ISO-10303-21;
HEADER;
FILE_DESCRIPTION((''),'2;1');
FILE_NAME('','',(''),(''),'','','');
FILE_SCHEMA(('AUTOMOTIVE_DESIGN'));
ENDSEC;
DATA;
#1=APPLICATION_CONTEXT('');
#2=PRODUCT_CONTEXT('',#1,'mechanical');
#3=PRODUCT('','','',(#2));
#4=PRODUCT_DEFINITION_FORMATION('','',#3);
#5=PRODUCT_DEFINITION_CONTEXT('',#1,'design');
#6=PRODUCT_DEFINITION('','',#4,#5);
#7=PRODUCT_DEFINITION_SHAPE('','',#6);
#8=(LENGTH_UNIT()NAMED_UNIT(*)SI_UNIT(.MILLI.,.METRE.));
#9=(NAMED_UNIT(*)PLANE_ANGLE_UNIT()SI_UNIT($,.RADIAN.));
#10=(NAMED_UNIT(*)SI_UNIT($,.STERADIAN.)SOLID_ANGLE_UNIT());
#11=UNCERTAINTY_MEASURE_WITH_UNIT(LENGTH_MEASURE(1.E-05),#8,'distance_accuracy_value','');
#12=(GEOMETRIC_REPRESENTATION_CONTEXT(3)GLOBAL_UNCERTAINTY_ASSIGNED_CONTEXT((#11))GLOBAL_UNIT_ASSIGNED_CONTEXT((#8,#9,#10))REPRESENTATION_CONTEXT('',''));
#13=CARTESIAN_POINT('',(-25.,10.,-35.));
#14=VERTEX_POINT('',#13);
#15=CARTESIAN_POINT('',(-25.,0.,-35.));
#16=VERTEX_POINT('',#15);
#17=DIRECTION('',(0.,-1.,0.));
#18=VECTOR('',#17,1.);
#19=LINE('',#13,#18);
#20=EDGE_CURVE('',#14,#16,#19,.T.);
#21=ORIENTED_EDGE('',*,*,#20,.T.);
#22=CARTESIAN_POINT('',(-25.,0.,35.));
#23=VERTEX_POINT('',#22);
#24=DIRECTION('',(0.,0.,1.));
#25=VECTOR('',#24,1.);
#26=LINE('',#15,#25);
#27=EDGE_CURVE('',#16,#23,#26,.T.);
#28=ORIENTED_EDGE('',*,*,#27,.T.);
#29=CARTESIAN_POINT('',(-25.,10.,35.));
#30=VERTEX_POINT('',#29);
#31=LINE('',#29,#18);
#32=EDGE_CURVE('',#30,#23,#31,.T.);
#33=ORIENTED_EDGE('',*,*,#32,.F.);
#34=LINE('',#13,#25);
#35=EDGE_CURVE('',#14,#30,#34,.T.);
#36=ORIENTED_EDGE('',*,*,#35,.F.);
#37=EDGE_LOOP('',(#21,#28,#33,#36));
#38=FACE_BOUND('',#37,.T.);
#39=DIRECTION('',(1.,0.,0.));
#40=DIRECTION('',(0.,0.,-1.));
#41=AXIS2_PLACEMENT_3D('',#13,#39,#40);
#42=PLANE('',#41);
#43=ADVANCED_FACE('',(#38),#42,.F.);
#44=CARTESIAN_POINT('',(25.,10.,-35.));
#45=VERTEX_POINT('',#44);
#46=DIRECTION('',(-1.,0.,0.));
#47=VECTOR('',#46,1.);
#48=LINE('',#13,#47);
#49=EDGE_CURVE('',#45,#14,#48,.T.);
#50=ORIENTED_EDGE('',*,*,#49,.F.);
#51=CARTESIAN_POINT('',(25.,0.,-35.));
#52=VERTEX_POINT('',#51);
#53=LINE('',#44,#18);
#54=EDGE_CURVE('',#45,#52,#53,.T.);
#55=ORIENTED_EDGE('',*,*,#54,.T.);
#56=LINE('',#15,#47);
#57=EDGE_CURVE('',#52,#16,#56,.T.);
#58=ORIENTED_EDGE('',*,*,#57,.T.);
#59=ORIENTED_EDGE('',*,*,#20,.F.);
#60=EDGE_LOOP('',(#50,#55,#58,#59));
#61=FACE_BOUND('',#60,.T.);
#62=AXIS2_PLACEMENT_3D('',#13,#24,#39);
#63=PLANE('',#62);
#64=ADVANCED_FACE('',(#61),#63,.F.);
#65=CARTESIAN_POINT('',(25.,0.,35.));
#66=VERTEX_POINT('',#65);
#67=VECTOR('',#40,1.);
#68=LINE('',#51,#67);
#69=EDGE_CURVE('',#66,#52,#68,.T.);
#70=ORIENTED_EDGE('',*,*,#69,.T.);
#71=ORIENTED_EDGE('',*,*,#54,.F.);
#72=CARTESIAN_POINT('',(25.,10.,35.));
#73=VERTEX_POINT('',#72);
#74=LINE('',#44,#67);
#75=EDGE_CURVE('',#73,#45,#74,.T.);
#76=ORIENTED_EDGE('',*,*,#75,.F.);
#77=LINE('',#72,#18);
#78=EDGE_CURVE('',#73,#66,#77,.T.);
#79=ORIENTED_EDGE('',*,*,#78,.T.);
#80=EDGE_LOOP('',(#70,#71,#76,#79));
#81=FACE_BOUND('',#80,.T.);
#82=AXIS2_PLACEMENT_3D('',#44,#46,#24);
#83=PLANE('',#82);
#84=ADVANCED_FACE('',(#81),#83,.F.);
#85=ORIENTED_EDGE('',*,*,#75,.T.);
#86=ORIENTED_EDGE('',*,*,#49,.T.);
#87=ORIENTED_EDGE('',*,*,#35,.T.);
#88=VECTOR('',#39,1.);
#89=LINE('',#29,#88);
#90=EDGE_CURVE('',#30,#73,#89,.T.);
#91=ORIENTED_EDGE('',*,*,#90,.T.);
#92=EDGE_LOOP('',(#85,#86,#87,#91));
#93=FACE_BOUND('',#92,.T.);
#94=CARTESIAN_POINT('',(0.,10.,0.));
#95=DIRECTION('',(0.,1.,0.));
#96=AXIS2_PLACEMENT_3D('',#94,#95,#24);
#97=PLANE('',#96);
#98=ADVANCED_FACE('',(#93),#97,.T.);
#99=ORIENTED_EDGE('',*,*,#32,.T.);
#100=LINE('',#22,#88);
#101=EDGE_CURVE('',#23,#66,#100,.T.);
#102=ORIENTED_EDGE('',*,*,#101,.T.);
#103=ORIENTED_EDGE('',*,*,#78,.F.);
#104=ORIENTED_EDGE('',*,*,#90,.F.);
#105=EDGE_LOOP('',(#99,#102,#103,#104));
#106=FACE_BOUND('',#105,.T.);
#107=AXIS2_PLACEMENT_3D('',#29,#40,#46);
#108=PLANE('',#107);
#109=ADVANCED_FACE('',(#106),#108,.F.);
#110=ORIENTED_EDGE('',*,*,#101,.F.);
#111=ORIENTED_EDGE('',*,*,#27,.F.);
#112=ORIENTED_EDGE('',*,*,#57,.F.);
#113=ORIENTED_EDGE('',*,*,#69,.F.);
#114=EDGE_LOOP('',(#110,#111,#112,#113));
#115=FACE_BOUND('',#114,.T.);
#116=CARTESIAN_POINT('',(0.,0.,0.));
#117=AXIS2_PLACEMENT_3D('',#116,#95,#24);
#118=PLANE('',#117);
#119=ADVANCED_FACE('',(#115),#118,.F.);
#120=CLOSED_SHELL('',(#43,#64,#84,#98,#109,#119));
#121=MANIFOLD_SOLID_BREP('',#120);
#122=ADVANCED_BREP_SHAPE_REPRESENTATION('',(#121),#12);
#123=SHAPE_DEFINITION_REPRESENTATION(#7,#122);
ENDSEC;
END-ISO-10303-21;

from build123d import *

# Parameters (mm, degrees)
SKETCH_1_W      = 50
SKETCH_1_H      = 70
EXTRUDE_1_DEPTH = 10


with BuildPart() as part:
    # 草图1 → 凸台-拉伸1 (new body)
    with BuildSketch(Plane(origin=(0, 0, 0), x_dir=(1, 0, 0), z_dir=(0, 1, 0))):
        Rectangle(SKETCH_1_W, SKETCH_1_H)
    extrude(amount=EXTRUDE_1_DEPTH)


solid = part.part
